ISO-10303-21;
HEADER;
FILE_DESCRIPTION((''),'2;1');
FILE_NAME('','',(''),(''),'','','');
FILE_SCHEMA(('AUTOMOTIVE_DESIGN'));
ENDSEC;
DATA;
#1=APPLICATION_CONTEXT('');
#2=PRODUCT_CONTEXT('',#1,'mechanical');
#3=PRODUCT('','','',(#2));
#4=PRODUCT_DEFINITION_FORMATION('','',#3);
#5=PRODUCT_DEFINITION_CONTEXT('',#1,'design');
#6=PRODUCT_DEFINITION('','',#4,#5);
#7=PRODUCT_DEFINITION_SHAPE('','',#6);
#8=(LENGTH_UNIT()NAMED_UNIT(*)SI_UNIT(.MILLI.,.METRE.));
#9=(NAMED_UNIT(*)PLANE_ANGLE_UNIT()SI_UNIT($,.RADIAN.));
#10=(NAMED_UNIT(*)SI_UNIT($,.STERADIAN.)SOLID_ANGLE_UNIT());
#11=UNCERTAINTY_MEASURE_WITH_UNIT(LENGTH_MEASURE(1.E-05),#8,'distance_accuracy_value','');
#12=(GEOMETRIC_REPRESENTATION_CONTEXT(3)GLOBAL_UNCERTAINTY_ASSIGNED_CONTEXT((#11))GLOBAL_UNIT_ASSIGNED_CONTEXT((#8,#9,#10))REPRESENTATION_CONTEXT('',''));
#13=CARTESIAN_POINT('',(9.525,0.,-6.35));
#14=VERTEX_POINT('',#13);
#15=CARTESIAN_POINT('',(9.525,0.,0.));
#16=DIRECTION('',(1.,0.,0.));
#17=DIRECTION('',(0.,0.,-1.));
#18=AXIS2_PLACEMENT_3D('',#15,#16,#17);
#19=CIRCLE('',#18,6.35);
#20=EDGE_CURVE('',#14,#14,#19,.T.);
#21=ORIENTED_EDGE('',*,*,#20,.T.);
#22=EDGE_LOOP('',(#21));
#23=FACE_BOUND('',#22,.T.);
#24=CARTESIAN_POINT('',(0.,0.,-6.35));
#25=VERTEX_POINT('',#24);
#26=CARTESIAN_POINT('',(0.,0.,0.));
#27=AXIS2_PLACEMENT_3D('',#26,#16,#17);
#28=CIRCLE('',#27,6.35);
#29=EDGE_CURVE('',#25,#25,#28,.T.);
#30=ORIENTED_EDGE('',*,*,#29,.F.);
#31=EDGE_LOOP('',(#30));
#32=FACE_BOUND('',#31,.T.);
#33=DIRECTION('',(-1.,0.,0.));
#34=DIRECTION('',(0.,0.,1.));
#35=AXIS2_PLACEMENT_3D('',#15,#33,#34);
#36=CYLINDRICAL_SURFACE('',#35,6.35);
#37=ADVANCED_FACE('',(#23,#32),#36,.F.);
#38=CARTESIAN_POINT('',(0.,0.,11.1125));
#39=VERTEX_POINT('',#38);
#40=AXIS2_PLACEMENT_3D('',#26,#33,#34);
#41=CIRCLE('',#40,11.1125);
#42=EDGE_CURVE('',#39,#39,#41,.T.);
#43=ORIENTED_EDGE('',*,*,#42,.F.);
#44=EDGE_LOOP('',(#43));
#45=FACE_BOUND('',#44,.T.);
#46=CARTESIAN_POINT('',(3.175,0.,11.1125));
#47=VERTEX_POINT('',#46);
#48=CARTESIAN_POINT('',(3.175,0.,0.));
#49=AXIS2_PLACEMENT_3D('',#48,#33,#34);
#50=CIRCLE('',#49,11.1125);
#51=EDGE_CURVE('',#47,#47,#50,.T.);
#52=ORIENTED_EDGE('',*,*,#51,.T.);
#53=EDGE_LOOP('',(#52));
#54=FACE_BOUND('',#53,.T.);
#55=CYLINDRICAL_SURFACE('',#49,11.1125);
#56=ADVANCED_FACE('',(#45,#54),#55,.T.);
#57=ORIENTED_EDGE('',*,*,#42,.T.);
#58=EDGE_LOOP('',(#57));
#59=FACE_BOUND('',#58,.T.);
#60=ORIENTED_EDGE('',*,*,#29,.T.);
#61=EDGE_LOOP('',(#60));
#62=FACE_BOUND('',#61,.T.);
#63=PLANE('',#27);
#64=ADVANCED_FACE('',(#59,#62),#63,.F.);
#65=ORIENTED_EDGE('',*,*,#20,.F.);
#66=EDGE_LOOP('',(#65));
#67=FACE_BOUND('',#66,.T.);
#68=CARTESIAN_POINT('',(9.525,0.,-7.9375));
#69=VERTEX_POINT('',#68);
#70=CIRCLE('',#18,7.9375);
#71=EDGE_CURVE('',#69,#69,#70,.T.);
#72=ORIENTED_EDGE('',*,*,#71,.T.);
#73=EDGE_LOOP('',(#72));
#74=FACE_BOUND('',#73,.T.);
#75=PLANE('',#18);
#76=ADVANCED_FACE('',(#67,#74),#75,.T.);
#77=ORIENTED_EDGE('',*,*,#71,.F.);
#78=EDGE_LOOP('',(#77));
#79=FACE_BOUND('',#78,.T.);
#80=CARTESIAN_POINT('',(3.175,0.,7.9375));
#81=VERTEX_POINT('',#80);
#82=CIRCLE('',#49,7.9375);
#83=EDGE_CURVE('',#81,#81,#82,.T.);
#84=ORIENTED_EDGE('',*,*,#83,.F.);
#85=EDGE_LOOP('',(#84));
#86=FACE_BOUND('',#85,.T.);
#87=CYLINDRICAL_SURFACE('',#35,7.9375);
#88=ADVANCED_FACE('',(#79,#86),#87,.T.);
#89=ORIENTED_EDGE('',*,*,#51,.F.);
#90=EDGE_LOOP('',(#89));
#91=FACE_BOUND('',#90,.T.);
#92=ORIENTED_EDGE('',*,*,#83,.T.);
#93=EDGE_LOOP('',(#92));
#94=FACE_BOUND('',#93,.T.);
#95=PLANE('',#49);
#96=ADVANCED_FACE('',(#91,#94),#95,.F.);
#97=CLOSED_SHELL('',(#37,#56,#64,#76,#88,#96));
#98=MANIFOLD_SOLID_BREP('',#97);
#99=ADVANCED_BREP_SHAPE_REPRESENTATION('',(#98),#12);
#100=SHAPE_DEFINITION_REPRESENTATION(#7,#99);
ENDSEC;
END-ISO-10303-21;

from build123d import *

# Parameters (mm, degrees)
SKETCH1_R           = 7.9375
SKETCH1_R_2         = 6.35
BOSS_EXTRUDE1_DEPTH = 9.525
SKETCH2_R           = 11.1125
SKETCH2_R_2         = 6.35
BOSS_EXTRUDE2_DEPTH = 3.175


with BuildPart() as part:
    # Sketch1 → Boss-Extrude1 (new body)
    with BuildSketch(Plane(origin=(0, 0, 0), x_dir=(0, 0, -1), z_dir=(1, 0, 0))):
        Circle(SKETCH1_R)
        Circle(SKETCH1_R_2, mode=Mode.SUBTRACT)
    extrude(amount=BOSS_EXTRUDE1_DEPTH)

    # Sketch2 → Boss-Extrude2 (add)
    with BuildSketch(Plane.ZY):
        Circle(SKETCH2_R)
        Circle(SKETCH2_R_2, mode=Mode.SUBTRACT)
    extrude(amount=-BOSS_EXTRUDE2_DEPTH)


solid = part.part
